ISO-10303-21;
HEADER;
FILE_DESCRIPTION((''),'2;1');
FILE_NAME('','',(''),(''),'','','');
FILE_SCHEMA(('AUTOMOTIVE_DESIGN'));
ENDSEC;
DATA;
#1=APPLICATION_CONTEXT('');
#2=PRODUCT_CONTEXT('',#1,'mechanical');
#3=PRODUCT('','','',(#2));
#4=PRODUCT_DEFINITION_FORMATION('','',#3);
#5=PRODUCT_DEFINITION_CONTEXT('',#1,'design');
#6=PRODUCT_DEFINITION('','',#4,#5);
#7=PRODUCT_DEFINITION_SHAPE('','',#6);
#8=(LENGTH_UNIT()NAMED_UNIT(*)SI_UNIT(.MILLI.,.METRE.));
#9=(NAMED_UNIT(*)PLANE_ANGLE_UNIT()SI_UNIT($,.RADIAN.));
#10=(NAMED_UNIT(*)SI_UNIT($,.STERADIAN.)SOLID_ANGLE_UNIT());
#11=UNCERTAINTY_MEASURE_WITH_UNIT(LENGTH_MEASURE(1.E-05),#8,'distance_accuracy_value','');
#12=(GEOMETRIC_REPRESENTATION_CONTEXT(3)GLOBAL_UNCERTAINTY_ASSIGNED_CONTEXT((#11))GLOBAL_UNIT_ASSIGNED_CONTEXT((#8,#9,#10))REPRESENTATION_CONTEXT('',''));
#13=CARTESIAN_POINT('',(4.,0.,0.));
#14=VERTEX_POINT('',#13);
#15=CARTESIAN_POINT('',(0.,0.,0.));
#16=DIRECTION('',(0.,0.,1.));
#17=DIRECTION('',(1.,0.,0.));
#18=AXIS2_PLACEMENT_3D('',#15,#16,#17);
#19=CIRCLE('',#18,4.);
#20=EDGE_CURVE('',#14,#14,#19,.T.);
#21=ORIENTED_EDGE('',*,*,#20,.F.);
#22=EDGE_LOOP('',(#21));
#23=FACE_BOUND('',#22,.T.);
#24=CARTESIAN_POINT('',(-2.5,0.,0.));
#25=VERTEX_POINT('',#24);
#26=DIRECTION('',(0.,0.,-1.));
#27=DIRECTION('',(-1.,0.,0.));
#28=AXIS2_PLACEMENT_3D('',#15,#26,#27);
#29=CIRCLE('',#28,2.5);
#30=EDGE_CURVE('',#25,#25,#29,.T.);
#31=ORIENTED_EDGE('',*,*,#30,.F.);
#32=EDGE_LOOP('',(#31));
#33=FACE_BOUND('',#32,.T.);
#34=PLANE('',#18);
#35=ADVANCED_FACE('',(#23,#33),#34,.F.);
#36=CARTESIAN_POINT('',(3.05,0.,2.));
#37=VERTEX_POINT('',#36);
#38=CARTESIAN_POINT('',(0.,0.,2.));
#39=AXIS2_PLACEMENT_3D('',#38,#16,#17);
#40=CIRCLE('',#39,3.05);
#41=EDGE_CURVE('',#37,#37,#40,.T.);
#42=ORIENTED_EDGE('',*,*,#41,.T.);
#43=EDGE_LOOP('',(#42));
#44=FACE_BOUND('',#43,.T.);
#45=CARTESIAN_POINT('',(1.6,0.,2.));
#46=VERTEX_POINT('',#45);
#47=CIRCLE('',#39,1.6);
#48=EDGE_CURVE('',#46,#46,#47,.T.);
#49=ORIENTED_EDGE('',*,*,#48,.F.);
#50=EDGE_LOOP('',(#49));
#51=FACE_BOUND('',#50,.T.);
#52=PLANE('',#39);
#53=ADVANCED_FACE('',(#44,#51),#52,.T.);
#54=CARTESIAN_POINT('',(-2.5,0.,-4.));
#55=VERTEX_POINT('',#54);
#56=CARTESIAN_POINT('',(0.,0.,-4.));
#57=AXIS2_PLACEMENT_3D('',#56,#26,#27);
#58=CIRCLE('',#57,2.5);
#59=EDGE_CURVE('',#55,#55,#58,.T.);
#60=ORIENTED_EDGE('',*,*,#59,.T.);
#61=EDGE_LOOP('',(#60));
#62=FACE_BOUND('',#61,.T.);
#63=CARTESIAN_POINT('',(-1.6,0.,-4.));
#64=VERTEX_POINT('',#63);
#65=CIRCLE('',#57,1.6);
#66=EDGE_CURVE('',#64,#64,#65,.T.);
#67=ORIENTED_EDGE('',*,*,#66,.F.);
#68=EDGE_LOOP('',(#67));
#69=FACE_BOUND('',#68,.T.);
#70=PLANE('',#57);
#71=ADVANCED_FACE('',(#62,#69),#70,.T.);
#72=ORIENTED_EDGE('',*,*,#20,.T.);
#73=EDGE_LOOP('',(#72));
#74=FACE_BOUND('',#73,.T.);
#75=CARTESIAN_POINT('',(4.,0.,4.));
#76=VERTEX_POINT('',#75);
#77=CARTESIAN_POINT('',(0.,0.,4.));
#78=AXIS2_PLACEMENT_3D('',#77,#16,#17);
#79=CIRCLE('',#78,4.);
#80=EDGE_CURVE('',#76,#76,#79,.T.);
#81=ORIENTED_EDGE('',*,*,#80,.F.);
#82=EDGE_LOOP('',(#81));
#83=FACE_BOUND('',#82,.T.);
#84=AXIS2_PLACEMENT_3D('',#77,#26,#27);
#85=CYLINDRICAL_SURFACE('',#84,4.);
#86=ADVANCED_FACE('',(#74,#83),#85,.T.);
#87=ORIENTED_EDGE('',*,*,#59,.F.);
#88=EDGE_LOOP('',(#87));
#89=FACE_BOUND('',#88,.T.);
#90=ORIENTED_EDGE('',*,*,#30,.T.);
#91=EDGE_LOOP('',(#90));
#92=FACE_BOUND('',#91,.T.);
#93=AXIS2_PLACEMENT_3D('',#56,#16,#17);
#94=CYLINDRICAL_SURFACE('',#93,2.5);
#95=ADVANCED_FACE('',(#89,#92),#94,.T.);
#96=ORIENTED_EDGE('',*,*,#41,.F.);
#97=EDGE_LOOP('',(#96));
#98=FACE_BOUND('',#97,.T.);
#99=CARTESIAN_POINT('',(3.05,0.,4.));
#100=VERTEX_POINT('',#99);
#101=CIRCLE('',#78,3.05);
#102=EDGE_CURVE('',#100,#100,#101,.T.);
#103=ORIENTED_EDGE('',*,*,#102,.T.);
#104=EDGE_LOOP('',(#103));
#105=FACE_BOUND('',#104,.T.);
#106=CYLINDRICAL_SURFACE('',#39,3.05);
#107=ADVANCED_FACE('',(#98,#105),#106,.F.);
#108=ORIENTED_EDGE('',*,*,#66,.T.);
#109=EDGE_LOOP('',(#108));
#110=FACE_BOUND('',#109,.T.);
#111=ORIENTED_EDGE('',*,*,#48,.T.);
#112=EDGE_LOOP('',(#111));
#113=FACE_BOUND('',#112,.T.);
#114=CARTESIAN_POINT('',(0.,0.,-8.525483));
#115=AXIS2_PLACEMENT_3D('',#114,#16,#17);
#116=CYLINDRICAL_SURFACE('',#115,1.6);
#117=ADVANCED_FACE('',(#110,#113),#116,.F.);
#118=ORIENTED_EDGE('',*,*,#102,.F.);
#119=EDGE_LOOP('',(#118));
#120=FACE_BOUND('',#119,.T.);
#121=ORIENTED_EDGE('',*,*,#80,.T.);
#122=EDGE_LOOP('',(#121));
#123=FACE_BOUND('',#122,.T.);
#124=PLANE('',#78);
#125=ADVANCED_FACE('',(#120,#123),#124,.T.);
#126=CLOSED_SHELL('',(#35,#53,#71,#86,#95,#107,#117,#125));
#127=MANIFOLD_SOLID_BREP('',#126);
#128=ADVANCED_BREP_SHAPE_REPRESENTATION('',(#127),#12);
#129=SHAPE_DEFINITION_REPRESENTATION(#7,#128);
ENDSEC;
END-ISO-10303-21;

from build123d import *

# Parameters (mm, degrees)
SKETCH_1_R               = 4
EXTRUDE_1_DEPTH          = 4
SKETCH_4_R               = 2.5
EXTRUDE_2_DEPTH          = 4
SKETCH_2_R               = 1.6
CUT_EXTRUDE_1_DEPTH      = 4
CUT_EXTRUDE_1_DEPTH_BACK = 3
SKETCH_3_R               = 3.05
CUT_EXTRUDE_2_DEPTH      = 2


with BuildPart() as part:
    # 草图1 → 凸台-拉伸1 (new body)
    with BuildSketch(Plane.XY):
        Circle(SKETCH_1_R)
    extrude(amount=EXTRUDE_1_DEPTH)

    # 草图4 → 凸台-拉伸2 (add)
    with BuildSketch(Plane(origin=(0, 0, 0), x_dir=(-1, 0, 0), z_dir=(0, 0, -1))):
        Circle(SKETCH_4_R)
    extrude(amount=EXTRUDE_2_DEPTH)

    # 草图2 → 切除-拉伸1 (cut, two sides)
    with BuildSketch(Plane(origin=(0, 0, 0), x_dir=(-1, 0, 0), z_dir=(0, 0, -1))) as cut_extrude_1_sk:
        Circle(SKETCH_2_R)
    extrude(amount=CUT_EXTRUDE_1_DEPTH, mode=Mode.SUBTRACT)
    extrude(cut_extrude_1_sk.sketch, amount=-CUT_EXTRUDE_1_DEPTH_BACK, mode=Mode.SUBTRACT)

    # 草图3 → 切除-拉伸2 (cut)
    with BuildSketch(Plane.XY.offset(4)):
        Circle(SKETCH_3_R)
    extrude(amount=-CUT_EXTRUDE_2_DEPTH, mode=Mode.SUBTRACT)


solid = part.part
